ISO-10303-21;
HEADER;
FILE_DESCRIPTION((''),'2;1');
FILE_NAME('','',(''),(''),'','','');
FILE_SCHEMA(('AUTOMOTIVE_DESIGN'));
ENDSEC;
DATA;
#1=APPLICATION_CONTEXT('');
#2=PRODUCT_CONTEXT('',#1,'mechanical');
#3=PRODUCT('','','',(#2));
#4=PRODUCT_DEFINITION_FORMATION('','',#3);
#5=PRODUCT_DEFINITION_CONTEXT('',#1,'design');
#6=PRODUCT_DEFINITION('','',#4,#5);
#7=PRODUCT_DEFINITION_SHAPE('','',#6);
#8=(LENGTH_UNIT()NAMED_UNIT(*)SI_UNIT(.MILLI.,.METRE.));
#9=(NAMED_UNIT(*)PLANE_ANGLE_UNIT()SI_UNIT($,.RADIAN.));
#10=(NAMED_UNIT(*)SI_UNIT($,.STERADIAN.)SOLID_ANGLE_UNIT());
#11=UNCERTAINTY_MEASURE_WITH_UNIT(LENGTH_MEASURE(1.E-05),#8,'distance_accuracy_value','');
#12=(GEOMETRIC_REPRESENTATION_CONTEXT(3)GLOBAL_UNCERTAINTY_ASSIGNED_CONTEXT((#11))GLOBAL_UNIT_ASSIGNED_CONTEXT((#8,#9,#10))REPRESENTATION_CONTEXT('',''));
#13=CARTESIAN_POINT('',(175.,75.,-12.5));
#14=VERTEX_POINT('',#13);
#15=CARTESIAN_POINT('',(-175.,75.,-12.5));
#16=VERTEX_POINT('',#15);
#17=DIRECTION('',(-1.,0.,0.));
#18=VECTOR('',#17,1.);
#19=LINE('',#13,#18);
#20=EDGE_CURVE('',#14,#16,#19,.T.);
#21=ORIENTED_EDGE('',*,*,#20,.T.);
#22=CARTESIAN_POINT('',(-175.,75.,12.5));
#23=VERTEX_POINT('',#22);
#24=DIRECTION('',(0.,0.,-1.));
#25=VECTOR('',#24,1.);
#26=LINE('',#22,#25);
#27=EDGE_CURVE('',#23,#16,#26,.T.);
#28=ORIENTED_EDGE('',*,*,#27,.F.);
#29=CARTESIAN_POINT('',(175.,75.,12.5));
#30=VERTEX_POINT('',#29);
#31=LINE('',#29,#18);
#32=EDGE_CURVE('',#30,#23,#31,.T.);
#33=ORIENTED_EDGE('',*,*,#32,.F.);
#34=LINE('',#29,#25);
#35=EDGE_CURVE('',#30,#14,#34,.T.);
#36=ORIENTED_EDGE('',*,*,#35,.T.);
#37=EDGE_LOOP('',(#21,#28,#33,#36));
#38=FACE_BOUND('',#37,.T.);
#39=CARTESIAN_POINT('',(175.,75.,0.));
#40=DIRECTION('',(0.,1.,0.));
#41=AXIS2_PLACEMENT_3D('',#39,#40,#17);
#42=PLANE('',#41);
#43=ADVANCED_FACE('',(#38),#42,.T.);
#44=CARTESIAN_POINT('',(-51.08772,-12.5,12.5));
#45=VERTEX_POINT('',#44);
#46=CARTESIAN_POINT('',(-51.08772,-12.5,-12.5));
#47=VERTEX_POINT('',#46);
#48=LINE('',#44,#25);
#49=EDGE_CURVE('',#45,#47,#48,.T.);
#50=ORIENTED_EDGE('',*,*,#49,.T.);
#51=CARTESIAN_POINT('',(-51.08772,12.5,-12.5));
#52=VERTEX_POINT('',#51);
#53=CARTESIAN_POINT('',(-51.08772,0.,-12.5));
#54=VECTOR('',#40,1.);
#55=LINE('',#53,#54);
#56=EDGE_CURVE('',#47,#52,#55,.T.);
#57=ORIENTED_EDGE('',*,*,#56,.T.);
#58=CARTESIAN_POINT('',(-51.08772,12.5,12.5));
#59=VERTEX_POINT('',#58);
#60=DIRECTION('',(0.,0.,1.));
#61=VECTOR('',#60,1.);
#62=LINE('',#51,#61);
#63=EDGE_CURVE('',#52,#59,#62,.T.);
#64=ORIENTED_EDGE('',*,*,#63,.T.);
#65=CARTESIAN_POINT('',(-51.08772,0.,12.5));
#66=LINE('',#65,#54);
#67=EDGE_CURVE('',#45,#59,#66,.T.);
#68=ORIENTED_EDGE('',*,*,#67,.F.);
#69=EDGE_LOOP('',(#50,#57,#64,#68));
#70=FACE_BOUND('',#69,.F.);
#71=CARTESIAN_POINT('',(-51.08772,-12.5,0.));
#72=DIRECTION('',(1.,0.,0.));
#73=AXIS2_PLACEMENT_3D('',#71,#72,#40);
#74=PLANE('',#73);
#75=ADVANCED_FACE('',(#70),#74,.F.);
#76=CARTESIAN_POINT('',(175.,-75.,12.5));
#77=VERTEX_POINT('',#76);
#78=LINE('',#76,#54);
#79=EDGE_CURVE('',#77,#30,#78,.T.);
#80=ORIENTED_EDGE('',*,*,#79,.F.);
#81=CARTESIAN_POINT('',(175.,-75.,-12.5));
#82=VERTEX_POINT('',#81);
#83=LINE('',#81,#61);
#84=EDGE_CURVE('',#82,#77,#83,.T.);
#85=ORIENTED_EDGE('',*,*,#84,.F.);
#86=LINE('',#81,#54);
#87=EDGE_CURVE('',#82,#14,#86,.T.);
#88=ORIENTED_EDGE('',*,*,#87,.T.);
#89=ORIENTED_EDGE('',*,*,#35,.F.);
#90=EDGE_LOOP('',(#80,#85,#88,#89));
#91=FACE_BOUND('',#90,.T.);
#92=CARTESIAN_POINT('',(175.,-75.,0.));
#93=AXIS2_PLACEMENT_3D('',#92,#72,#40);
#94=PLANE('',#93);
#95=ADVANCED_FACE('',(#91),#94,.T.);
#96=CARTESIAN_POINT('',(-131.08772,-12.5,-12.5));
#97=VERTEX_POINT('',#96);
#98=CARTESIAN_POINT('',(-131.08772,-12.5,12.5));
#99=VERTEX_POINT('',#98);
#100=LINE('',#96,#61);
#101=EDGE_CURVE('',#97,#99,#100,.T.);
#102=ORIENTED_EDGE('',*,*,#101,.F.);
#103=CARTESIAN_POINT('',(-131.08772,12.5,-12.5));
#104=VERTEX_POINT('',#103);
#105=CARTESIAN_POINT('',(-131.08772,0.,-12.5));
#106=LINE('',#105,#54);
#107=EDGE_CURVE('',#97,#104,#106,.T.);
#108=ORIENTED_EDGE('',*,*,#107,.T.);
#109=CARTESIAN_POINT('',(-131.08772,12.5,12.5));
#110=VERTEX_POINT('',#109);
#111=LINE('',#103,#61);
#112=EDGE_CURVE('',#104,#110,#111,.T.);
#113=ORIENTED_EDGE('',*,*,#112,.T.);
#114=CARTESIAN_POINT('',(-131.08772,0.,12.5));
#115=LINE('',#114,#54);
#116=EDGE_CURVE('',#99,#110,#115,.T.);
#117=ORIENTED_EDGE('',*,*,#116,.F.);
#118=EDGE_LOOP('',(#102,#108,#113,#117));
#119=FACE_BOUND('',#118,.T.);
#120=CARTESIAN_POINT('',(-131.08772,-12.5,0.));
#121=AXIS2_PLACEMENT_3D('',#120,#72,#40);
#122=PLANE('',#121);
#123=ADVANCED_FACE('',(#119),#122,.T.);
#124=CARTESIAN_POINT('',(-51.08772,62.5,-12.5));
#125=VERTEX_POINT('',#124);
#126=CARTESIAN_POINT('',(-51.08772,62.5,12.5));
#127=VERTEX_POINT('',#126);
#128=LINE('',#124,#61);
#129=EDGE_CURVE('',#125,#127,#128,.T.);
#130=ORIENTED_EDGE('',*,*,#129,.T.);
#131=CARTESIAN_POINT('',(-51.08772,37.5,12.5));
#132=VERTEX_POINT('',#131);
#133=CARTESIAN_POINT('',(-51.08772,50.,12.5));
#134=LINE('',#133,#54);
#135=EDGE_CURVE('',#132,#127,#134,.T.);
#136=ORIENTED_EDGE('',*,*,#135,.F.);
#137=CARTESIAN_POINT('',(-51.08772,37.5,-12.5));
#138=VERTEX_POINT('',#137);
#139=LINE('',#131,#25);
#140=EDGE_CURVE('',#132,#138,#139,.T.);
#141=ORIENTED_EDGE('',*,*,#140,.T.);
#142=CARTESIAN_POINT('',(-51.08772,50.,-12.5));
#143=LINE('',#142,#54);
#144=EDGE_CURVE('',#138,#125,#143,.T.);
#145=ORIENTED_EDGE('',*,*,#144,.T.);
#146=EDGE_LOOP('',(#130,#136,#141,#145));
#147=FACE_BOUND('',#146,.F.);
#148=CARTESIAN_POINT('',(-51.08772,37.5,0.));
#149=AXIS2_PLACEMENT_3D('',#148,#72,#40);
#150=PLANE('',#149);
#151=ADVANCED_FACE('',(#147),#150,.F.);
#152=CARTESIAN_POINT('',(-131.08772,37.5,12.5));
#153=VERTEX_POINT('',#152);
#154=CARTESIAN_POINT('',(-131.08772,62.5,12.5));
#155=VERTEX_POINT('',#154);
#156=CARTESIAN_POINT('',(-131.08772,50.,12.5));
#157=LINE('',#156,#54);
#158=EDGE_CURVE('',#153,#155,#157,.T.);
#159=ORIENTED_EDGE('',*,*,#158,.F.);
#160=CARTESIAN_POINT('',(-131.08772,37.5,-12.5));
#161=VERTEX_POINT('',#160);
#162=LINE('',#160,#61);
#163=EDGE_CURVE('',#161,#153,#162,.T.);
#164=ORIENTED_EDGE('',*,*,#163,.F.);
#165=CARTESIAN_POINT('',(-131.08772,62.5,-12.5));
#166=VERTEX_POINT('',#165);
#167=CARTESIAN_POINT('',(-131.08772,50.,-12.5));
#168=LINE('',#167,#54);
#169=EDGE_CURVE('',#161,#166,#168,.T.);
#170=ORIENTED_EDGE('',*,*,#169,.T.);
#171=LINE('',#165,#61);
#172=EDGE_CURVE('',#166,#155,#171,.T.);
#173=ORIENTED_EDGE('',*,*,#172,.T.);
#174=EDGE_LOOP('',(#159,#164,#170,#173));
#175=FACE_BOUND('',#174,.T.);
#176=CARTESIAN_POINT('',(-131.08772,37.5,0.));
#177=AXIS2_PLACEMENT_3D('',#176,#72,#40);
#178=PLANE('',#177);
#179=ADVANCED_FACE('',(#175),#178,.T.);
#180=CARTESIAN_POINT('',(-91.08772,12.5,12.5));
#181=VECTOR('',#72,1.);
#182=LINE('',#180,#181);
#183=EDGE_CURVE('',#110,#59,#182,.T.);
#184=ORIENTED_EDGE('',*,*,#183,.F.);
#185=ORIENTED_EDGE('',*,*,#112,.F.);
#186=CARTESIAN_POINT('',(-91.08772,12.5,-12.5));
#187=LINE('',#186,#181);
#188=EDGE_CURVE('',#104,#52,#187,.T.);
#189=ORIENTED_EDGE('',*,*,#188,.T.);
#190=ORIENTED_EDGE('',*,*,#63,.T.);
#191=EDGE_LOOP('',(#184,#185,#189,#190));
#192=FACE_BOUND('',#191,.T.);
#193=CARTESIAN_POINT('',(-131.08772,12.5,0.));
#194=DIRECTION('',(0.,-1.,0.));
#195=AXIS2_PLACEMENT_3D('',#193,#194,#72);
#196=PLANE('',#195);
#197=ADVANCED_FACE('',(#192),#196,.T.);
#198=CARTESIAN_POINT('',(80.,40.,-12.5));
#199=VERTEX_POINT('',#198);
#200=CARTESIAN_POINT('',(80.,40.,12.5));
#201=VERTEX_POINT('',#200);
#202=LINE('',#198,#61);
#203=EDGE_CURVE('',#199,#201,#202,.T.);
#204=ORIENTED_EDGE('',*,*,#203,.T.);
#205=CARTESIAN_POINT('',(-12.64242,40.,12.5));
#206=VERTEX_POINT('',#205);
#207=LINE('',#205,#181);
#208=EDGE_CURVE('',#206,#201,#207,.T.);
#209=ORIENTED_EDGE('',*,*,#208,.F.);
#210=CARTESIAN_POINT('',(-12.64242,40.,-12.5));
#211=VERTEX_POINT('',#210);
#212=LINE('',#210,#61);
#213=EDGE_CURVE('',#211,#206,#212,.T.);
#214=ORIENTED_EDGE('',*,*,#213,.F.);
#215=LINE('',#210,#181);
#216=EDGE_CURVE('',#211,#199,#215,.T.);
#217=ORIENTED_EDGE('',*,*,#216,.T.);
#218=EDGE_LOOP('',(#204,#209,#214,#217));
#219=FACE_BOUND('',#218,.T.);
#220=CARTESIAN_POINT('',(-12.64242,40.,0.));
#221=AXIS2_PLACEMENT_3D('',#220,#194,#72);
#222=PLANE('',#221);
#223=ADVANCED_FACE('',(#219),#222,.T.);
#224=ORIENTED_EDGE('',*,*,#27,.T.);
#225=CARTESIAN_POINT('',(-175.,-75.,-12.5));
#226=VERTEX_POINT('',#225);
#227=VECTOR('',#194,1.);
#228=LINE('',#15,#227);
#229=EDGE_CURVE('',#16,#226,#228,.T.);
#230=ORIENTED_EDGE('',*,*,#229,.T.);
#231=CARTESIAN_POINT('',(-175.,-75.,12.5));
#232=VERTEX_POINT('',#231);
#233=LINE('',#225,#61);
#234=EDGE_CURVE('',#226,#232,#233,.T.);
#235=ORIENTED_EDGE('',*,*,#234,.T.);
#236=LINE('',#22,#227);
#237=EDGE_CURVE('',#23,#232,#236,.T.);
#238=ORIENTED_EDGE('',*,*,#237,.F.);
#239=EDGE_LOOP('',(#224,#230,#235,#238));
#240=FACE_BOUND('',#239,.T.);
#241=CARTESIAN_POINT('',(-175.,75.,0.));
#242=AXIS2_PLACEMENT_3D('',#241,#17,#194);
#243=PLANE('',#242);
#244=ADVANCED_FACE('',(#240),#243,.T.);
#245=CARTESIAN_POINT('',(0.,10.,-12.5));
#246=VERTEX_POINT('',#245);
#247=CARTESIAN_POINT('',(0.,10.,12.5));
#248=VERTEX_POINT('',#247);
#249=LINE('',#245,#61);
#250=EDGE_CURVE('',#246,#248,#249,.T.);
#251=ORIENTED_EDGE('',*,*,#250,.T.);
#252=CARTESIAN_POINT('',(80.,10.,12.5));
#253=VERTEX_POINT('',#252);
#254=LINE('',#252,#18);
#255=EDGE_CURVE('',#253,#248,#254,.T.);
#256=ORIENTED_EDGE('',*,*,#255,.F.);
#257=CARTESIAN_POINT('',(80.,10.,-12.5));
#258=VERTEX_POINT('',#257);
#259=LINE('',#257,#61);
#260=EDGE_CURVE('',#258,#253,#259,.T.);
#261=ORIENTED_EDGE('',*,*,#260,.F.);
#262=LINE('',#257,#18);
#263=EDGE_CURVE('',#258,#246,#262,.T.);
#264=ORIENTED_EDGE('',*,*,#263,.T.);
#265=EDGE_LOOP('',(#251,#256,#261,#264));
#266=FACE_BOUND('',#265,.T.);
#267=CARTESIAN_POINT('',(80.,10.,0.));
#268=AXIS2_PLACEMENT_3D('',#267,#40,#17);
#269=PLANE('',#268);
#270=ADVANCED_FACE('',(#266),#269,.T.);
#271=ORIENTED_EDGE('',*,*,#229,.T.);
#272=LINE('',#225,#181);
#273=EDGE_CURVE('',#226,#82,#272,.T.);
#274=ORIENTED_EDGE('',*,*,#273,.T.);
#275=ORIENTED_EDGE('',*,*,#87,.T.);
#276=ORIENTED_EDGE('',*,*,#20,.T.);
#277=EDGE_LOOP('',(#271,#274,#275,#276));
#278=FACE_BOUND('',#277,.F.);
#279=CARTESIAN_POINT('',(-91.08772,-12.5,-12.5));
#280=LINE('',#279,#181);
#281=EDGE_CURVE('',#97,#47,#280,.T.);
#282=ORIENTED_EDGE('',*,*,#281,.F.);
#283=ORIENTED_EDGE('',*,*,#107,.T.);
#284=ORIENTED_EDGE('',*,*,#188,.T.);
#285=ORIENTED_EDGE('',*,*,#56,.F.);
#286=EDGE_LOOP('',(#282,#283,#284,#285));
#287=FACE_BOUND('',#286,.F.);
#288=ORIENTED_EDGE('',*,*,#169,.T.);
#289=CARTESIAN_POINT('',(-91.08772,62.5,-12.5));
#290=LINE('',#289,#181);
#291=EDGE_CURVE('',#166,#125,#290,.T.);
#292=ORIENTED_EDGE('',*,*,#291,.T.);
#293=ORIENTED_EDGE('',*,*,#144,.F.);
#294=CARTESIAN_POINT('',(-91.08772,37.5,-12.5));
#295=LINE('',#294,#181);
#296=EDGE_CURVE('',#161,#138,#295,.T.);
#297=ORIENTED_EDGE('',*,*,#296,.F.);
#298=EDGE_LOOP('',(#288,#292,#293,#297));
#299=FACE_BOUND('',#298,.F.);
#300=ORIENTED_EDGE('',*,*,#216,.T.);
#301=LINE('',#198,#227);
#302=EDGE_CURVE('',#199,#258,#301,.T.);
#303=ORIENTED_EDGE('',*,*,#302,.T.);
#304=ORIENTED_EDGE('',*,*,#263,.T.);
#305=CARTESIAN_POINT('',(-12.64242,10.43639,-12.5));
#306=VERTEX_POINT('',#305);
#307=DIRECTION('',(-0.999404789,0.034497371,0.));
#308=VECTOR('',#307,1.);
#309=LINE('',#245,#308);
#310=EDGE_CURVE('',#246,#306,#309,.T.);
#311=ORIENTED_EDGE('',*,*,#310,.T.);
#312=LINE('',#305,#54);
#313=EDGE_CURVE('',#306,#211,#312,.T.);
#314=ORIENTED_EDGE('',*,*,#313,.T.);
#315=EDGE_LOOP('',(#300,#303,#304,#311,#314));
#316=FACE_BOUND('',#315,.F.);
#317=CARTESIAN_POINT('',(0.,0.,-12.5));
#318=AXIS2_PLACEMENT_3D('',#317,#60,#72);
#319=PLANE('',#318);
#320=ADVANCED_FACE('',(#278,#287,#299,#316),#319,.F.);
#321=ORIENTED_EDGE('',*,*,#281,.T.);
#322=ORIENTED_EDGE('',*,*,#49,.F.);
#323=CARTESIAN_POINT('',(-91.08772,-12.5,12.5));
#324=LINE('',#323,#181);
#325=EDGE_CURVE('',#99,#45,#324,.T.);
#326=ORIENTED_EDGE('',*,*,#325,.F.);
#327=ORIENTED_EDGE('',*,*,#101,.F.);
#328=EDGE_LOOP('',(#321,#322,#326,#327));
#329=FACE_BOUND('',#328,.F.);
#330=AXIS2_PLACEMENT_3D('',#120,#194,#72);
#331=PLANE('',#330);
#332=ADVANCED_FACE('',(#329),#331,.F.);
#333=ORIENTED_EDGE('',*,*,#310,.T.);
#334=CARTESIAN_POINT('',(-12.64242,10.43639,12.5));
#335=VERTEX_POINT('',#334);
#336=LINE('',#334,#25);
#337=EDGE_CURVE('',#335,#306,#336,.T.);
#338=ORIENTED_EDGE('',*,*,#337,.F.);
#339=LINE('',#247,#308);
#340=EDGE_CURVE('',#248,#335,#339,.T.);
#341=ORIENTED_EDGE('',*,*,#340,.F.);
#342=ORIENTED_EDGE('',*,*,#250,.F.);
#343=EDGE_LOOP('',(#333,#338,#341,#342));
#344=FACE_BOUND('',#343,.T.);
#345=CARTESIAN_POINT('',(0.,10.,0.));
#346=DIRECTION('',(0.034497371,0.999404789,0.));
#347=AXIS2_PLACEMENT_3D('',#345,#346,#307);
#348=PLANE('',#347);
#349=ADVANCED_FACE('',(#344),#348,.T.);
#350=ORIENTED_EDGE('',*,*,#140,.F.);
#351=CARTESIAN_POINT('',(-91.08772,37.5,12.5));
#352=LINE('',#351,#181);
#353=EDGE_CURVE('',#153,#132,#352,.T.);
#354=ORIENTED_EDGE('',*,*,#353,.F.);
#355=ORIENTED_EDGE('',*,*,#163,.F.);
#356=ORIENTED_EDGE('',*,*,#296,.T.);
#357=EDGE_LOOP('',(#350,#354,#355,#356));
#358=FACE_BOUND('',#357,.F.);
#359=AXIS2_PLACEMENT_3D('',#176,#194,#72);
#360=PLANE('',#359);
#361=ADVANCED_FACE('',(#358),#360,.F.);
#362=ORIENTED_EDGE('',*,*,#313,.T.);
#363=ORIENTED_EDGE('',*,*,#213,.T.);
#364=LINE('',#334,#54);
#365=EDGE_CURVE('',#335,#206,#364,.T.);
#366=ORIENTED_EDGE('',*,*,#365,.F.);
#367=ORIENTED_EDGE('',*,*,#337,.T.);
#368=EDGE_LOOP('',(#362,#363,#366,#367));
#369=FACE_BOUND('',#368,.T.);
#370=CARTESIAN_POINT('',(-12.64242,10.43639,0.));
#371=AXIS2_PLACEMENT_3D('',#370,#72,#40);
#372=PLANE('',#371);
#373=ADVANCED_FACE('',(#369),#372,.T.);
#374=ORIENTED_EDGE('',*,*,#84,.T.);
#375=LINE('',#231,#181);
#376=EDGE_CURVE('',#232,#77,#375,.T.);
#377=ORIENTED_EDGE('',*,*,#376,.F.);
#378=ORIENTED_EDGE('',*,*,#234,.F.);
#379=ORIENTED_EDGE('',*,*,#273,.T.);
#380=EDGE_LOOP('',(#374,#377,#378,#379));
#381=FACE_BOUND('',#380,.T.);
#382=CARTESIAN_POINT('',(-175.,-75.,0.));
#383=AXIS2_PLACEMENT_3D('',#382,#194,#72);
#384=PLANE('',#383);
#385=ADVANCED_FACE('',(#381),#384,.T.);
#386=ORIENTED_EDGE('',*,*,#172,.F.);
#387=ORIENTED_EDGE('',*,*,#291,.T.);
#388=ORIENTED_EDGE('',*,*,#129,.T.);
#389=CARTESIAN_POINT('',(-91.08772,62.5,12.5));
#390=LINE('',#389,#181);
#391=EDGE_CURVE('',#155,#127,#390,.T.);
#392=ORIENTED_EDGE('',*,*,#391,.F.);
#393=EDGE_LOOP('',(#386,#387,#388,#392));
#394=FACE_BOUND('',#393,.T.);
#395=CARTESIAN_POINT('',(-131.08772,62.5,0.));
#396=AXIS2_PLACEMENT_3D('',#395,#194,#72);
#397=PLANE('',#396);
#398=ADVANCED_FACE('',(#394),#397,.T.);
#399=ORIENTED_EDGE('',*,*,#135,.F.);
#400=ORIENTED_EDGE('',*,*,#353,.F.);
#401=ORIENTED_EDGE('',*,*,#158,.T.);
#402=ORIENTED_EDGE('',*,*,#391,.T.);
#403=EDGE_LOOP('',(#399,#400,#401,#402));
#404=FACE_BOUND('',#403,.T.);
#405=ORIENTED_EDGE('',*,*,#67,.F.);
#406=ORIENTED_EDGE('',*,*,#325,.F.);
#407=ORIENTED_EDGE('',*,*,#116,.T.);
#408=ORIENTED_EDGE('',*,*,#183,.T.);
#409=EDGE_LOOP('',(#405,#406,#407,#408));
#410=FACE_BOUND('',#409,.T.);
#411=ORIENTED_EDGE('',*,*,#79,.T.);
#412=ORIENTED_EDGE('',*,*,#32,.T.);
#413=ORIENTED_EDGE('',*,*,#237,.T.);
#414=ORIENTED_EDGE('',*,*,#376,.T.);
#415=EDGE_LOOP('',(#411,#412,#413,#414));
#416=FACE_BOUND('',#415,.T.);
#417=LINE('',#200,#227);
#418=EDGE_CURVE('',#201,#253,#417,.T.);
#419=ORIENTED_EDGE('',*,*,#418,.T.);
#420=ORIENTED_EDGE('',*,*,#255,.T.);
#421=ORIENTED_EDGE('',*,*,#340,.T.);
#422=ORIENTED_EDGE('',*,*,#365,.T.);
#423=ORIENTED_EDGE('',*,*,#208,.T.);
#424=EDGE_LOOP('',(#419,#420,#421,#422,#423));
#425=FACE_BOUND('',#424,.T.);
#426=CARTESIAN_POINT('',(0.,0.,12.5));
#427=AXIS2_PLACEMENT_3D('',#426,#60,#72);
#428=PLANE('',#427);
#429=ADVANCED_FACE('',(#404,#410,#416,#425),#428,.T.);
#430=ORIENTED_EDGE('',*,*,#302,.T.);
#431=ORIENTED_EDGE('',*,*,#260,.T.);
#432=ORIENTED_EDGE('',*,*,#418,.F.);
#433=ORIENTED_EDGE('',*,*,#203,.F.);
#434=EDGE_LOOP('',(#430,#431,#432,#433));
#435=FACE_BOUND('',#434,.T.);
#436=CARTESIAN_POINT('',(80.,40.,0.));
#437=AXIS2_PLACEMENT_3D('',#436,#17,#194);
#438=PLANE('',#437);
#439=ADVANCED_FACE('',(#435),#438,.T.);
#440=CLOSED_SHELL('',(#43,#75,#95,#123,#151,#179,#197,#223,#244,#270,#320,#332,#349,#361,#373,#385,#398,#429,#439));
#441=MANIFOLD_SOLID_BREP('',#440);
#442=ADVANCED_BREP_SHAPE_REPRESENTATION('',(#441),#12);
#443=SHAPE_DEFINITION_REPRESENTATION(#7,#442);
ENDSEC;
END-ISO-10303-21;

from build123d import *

# Parameters (mm, degrees)
F0_W     = 80
F0_H     = 25
F1_DEPTH = 12.5


with BuildPart() as f1:
    # F0 (on Top) → F1 (new body, symmetric)
    with BuildSketch(Plane.XY):
        Polygon((0, 75), (-175, 75), (-175, -75), (0, -75), (80, -75), (175, -75), (175, 75), (80, 75), align=None)
        with Locations((-91.08772, 0)):
            Rectangle(F0_W, F0_H, mode=Mode.SUBTRACT)
        with Locations((-91.08772, 50)):
            Rectangle(F0_W, F0_H, mode=Mode.SUBTRACT)
        Polygon((-12.64242, 40), (0, 40), (80, 40), (80, 10), (0, 10), (-12.64242, 10.43639), align=None, mode=Mode.SUBTRACT)
    extrude(amount=F1_DEPTH, both=True)


solid = f1.part
